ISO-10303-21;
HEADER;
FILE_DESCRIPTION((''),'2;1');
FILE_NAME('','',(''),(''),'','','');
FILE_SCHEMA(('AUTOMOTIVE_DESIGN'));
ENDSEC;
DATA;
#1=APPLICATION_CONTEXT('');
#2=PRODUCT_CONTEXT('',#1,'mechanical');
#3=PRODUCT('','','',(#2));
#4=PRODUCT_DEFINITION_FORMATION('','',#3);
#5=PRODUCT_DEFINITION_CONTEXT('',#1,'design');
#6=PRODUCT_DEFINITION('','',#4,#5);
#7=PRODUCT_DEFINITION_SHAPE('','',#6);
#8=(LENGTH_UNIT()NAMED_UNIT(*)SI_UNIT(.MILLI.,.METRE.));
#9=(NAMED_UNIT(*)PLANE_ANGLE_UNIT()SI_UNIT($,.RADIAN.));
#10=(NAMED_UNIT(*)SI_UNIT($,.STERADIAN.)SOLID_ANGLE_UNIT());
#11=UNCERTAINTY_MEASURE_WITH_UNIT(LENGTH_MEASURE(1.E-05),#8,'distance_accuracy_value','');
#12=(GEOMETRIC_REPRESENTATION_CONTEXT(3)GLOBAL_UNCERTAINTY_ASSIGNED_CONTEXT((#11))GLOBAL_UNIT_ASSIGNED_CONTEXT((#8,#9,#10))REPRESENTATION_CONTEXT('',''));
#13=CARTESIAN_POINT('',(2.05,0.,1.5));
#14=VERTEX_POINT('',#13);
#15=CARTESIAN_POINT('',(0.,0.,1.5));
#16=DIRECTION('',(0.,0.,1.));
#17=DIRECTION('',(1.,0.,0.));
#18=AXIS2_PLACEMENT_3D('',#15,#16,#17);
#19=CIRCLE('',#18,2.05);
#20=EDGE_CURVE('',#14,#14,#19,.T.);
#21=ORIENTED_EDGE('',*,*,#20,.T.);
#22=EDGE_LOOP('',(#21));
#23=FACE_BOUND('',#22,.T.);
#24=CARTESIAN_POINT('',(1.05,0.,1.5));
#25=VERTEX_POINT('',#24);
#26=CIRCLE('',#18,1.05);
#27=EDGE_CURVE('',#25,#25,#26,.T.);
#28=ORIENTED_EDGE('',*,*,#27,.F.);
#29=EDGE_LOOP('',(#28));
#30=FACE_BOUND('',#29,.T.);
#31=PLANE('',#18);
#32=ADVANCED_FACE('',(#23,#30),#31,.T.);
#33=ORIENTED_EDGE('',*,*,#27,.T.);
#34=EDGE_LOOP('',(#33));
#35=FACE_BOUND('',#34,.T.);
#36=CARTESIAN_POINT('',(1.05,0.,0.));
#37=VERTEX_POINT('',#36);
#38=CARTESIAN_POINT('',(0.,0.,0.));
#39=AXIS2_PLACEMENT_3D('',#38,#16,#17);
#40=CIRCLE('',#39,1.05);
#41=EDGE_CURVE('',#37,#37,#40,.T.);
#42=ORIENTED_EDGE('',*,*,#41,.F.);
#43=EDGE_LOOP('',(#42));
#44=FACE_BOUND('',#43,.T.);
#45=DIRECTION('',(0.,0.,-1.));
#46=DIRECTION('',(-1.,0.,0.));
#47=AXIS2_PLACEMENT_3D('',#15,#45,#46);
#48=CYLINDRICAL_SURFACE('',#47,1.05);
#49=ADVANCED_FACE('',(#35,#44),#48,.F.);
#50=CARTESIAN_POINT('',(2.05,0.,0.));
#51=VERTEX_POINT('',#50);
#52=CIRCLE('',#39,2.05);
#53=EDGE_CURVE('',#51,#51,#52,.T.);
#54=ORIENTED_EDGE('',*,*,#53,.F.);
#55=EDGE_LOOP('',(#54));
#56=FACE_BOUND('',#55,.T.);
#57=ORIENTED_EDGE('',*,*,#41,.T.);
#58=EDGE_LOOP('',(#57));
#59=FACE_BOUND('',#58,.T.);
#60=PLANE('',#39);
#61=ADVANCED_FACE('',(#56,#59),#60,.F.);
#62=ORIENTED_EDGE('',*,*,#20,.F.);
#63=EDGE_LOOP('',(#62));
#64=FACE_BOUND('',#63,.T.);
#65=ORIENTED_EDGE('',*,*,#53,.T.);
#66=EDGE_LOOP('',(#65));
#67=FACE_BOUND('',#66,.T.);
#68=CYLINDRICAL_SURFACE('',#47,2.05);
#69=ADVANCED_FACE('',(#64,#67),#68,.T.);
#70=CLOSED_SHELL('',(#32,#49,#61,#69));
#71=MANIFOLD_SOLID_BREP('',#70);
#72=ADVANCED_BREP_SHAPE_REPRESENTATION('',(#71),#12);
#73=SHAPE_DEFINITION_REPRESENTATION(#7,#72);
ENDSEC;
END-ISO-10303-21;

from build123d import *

# Parameters (mm, degrees)
ESQUISSE1_R        = 2.05
ESQUISSE1_R_2      = 1.05
EXTRU_MINCE1_DEPTH = 1.5


with BuildPart() as part:
    # Esquisse1 → Extru.-Mince1 (new body)
    with BuildSketch(Plane.XY):
        Circle(ESQUISSE1_R)
        Circle(ESQUISSE1_R_2, mode=Mode.SUBTRACT)
    extrude(amount=EXTRU_MINCE1_DEPTH)


solid = part.part
